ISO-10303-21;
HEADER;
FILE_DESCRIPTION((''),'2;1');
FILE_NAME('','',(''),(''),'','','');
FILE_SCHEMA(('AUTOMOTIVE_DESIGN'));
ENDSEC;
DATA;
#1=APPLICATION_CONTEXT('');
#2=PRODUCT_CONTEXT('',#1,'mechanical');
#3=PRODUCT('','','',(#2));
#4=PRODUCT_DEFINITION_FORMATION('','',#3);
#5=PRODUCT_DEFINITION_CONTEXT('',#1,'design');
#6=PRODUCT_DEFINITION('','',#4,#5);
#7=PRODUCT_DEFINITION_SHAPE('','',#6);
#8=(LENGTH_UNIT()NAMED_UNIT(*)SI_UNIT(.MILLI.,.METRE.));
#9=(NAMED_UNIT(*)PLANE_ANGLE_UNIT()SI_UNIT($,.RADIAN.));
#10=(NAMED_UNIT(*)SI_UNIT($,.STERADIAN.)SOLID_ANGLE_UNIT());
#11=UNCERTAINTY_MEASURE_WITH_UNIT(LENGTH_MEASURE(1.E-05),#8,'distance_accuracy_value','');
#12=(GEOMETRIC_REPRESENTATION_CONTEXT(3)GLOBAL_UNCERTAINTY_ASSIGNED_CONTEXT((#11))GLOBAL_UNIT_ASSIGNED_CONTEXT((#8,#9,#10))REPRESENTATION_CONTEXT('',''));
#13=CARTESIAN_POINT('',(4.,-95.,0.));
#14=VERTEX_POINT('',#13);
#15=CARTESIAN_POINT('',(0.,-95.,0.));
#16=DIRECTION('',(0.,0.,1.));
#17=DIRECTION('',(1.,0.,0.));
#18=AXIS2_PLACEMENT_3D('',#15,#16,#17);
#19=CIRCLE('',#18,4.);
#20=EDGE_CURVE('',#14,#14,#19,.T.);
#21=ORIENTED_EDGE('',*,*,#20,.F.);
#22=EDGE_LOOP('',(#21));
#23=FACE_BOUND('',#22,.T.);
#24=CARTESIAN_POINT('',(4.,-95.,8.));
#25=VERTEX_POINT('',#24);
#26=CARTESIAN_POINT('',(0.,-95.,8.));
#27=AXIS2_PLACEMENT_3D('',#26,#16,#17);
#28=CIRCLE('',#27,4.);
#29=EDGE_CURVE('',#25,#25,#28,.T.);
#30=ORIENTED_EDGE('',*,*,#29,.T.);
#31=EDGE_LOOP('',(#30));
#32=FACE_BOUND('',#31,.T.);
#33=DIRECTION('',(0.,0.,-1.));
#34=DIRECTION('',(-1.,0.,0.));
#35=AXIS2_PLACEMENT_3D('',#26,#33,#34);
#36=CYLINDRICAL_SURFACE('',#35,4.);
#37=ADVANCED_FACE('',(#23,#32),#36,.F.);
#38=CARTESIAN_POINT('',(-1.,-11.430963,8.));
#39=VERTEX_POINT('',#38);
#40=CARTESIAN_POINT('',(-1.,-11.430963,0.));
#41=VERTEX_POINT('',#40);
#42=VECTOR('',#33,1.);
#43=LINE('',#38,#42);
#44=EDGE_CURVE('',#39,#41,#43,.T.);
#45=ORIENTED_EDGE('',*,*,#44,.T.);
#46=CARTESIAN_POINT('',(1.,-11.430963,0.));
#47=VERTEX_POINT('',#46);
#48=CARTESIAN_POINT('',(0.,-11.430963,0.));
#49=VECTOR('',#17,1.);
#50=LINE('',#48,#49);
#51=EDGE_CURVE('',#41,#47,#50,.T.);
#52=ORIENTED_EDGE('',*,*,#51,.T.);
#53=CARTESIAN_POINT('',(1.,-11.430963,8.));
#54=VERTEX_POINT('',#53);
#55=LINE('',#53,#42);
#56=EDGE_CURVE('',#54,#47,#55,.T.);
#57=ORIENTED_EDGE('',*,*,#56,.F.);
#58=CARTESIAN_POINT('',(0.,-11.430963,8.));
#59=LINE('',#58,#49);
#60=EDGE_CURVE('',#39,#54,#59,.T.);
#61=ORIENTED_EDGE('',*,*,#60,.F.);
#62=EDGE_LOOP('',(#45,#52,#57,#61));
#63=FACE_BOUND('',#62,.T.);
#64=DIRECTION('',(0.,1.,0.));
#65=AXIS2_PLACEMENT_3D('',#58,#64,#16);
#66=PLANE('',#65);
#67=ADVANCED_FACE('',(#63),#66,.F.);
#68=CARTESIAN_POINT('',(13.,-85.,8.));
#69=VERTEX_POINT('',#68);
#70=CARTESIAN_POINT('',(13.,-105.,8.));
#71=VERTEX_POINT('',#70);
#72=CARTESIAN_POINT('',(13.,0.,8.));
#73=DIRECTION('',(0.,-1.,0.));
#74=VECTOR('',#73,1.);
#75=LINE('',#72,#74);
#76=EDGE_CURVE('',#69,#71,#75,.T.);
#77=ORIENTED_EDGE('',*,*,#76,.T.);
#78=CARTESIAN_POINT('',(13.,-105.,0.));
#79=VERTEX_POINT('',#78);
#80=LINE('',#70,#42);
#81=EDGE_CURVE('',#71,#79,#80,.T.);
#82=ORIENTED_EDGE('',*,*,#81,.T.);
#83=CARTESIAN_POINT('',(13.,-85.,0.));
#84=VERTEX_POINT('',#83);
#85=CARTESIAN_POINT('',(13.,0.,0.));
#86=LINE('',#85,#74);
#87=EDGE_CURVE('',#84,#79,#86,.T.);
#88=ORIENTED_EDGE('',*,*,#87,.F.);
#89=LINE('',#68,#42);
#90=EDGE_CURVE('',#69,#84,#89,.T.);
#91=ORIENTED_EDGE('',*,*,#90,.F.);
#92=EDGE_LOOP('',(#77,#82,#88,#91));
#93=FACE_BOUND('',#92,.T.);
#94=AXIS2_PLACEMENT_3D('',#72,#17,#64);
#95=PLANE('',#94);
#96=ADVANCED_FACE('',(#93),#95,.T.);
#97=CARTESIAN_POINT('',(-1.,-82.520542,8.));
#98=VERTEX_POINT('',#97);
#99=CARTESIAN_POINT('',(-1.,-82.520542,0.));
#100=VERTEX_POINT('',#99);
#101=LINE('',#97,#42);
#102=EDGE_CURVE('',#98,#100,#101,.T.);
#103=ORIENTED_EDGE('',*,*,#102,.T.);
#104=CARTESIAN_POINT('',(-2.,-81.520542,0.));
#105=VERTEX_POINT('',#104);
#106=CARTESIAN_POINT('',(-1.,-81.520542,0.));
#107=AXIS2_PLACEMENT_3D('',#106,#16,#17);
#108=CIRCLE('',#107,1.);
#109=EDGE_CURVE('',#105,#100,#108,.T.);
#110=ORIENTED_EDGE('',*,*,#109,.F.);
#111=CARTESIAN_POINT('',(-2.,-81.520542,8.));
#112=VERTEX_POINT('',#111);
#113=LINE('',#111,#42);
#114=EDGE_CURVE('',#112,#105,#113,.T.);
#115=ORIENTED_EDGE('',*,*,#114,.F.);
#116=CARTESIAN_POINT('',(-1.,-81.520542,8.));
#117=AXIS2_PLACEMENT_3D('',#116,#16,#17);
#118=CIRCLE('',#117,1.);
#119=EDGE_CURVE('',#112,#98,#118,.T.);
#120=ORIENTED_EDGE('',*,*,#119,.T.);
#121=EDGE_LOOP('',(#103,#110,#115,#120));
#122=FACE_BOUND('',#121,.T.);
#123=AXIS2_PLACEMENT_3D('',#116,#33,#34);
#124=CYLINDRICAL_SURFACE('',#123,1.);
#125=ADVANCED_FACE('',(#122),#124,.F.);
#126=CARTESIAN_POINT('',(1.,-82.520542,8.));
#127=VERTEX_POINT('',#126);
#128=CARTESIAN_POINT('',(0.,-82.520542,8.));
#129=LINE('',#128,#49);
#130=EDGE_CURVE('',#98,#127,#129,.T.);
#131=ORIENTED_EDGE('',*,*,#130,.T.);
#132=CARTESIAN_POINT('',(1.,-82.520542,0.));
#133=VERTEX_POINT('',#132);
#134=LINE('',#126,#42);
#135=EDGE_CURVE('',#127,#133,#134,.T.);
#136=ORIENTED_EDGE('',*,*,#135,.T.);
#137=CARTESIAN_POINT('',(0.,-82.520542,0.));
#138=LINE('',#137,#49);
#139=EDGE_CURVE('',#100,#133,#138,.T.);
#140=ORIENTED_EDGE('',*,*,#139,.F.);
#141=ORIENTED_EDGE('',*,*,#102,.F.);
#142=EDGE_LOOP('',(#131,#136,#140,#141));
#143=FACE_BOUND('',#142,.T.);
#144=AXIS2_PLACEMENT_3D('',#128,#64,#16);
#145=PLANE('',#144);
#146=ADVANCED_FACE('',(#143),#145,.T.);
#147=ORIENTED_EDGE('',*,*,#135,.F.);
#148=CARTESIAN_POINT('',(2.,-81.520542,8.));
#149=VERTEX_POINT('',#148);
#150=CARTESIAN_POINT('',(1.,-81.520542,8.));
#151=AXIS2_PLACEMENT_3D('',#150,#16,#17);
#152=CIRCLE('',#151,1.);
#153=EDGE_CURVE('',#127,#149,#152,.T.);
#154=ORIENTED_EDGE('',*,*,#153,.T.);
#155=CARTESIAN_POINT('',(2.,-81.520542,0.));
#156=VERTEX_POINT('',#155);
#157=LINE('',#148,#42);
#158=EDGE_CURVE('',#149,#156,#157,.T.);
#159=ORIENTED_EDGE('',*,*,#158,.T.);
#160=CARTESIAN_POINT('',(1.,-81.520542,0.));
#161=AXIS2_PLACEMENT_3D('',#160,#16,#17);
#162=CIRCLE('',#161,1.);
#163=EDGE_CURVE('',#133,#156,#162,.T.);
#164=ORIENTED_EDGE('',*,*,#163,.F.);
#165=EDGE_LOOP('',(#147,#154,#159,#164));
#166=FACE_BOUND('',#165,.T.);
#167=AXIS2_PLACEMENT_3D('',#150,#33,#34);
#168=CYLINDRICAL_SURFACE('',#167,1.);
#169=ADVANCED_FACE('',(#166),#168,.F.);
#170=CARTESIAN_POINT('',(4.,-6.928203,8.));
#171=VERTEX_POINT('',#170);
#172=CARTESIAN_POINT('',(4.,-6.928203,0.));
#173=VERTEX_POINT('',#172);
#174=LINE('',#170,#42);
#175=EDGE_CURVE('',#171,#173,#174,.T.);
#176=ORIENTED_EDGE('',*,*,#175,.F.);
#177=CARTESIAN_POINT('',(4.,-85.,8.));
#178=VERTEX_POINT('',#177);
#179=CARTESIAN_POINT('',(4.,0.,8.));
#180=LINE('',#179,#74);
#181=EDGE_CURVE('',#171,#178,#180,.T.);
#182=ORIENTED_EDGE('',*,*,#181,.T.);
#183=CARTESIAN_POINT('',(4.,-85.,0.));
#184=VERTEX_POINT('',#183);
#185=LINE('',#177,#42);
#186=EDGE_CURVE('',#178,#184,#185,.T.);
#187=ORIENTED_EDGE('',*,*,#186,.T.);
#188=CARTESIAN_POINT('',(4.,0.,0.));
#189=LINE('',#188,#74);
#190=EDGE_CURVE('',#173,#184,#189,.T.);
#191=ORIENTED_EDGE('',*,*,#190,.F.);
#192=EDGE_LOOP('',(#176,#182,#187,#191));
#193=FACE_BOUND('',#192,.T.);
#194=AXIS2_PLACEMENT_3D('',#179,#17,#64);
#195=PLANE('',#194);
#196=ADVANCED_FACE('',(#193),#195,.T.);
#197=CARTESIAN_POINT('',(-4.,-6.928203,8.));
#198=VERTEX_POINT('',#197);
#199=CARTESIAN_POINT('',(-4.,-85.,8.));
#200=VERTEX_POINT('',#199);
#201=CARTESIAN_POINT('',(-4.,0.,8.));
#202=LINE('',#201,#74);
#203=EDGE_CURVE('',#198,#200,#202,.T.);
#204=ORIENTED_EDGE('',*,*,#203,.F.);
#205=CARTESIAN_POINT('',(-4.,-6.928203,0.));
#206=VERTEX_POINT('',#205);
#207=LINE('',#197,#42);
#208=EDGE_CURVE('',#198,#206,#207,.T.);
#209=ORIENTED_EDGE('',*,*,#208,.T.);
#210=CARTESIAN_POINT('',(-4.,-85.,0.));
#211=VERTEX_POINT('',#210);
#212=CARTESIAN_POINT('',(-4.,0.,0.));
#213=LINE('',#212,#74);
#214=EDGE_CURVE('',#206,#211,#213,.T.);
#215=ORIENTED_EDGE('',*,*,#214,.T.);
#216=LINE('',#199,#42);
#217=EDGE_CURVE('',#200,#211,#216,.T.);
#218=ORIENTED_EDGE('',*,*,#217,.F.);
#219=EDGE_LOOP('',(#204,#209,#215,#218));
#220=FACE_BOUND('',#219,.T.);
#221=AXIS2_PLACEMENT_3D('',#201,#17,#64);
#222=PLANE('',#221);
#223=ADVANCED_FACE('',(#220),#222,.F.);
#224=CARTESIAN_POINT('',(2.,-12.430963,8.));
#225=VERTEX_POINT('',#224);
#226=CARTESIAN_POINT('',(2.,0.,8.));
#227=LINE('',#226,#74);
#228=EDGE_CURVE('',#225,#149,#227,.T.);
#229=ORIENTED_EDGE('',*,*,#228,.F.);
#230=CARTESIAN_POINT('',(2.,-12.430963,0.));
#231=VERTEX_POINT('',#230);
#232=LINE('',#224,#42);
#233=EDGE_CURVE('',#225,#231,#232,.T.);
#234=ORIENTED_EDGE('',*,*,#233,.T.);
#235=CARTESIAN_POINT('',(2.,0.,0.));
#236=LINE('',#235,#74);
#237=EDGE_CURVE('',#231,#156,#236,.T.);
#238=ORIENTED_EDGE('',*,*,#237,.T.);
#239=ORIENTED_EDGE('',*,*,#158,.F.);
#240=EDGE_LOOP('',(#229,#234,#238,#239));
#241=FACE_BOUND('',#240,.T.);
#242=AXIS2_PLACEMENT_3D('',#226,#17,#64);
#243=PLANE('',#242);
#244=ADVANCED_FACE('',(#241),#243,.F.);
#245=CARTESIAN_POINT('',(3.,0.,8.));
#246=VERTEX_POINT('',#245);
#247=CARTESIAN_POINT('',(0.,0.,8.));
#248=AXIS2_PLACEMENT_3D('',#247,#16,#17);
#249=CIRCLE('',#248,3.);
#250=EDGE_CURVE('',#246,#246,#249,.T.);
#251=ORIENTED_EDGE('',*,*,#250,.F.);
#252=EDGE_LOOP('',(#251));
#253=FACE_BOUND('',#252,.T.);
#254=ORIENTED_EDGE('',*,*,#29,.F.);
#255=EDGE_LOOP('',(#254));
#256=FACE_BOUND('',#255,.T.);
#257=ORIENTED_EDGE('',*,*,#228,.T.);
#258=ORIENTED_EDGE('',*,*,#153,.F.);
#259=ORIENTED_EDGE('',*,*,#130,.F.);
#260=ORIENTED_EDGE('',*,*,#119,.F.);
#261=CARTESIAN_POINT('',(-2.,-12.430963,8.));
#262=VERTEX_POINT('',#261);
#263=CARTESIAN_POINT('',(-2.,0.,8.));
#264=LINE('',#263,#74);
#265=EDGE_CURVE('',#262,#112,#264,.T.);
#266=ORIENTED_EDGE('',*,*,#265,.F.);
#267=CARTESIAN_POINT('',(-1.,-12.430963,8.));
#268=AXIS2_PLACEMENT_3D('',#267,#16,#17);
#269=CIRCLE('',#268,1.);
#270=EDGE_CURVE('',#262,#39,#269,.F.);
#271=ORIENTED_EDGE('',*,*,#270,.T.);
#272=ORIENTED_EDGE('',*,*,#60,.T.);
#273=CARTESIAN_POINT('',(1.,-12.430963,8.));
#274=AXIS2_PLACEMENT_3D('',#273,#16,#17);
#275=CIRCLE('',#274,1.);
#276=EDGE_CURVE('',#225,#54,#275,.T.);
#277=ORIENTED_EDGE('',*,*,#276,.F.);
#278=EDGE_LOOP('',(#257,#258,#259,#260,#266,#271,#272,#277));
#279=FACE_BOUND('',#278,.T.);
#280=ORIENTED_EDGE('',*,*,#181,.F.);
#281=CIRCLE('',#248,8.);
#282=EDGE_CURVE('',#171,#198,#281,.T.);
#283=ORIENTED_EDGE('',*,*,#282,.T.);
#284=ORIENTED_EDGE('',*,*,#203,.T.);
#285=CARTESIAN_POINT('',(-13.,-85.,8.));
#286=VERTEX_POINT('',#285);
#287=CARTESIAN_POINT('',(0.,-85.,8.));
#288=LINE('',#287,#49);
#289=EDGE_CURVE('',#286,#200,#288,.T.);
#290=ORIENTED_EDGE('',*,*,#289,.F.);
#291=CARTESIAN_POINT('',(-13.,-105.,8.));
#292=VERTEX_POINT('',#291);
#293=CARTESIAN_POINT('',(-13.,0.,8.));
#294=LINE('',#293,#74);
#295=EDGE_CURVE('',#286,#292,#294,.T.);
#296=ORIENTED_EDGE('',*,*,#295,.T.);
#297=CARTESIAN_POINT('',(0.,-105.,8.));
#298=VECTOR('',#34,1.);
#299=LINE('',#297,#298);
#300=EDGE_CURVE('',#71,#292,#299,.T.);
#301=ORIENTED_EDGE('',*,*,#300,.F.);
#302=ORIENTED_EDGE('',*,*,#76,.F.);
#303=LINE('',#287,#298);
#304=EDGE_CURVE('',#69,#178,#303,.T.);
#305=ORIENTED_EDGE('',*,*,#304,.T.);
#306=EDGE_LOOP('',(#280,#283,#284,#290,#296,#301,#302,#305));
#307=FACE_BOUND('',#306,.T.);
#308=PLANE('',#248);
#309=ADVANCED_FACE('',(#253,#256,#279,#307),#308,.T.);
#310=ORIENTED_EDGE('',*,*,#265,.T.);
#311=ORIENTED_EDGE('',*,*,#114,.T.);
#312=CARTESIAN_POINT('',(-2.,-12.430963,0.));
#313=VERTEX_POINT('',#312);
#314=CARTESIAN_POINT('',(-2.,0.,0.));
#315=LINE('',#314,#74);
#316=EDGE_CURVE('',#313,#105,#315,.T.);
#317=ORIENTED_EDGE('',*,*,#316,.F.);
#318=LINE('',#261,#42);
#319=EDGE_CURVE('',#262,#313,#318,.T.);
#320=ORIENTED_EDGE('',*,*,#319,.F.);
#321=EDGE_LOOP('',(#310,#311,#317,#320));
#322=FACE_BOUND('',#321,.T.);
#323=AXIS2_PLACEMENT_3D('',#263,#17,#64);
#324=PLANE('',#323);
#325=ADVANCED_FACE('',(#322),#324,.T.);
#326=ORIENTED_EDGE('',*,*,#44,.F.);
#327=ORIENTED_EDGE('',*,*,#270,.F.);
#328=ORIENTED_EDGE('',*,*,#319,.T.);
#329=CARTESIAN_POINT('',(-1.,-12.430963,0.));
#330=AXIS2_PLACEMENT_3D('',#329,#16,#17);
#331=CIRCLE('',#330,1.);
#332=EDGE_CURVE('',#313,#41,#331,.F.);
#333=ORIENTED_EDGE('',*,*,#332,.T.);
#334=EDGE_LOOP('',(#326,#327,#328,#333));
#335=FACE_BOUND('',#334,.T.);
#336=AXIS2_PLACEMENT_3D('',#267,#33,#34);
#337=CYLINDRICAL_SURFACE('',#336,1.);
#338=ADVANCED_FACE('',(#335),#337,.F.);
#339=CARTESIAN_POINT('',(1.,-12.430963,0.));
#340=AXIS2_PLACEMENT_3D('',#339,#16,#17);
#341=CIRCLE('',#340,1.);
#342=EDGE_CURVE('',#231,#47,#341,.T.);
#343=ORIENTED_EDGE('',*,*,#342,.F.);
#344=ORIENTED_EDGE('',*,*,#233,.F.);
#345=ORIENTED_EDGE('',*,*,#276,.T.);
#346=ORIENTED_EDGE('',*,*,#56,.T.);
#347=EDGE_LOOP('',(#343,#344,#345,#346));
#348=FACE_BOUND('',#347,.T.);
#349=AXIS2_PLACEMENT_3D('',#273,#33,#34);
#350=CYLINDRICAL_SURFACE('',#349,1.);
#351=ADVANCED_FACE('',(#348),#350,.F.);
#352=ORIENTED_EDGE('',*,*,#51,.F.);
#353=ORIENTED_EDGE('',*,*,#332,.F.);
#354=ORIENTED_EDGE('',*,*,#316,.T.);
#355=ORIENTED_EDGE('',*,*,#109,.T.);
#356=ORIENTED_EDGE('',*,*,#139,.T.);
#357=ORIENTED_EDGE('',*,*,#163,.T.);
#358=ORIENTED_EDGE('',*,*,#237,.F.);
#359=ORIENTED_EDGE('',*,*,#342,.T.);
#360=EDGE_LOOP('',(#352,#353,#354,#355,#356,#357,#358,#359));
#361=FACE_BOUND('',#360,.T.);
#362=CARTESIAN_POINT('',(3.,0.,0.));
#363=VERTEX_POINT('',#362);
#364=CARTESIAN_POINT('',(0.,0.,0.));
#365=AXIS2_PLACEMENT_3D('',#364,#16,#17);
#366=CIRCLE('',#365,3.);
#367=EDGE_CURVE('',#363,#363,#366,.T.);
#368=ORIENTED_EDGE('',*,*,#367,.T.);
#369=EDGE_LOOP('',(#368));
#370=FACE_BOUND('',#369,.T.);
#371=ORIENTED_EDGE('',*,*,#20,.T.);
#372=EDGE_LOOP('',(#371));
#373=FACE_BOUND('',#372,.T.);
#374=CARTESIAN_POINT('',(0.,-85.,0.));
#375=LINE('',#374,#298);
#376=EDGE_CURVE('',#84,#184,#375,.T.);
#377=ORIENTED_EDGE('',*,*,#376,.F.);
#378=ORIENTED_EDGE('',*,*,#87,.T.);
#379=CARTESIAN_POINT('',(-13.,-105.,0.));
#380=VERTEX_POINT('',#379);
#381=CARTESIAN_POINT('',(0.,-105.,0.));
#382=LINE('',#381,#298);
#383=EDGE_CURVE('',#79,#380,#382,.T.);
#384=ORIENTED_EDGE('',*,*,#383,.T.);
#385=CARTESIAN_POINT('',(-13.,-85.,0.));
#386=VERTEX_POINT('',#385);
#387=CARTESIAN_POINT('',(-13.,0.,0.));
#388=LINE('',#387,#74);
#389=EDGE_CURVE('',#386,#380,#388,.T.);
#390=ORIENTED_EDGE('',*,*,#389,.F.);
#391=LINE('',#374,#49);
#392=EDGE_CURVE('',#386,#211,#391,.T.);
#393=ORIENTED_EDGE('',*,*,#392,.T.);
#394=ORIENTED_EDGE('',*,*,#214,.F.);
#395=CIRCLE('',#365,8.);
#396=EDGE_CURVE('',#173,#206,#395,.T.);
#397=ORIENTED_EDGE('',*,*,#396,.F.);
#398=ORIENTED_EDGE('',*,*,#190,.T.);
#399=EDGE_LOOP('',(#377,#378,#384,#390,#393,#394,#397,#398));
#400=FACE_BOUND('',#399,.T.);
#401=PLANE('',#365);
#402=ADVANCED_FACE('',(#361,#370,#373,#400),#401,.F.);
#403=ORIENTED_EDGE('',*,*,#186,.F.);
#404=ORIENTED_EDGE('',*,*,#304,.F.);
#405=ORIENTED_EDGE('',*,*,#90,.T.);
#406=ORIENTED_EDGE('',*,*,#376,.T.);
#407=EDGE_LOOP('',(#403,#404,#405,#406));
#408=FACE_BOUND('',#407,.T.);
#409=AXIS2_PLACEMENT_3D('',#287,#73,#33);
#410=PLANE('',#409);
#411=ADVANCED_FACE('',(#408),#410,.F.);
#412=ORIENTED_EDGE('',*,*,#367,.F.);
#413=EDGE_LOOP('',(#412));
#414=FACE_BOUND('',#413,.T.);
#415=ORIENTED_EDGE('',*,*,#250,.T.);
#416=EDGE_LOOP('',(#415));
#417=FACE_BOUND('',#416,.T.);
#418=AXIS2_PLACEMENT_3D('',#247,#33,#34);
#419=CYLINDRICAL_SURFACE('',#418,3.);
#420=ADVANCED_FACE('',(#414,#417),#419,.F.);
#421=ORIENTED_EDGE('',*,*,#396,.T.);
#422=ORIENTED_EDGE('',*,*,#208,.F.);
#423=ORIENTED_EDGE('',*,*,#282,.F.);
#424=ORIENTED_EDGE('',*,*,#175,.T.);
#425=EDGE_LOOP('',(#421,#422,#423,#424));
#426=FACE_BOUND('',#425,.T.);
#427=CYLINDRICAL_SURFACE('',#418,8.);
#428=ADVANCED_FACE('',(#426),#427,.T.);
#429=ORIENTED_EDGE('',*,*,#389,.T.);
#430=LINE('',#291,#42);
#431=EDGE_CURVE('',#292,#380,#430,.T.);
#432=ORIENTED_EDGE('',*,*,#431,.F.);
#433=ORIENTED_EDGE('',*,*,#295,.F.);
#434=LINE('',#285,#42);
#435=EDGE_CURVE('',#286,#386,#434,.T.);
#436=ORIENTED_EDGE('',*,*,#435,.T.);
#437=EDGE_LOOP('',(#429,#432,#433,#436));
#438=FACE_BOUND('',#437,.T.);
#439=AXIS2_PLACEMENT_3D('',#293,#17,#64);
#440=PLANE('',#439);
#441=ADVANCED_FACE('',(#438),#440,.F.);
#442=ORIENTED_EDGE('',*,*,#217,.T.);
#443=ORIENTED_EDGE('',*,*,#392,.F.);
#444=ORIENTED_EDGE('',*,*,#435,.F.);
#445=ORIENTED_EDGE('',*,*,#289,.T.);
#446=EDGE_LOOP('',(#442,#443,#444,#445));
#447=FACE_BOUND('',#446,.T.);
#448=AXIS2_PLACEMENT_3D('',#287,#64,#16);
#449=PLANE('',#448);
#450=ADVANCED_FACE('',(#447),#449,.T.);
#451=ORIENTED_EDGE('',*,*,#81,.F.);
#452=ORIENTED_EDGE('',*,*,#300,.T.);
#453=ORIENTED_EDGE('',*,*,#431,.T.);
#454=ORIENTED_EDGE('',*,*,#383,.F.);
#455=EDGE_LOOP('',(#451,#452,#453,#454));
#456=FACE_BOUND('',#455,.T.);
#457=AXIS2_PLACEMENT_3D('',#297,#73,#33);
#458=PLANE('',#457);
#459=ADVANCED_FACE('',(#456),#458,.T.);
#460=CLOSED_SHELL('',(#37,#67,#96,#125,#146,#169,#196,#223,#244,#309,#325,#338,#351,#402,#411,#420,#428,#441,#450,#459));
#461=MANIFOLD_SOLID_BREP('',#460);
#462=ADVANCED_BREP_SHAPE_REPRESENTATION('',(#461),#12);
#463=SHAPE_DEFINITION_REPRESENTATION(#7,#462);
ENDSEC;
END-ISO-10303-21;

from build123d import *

# Parameters (mm, degrees)
SKETCH1_R           = 6
SKETCH1_R_2         = 5
SKETCH1_R_3         = 3
SKETCH1_R_4         = 4
BOSS_EXTRUDE1_DEPTH = 8


with BuildPart() as part:
    # Sketch1 → Boss-Extrude1 (new body)
    # profile 1 of 3: a face of its own
    with BuildSketch(Plane.XY):
        with BuildLine():
            Line((4, -6.92820323), (4, -85))
            Line((4, -85), (13, -85))
            Line((13, -85), (13, -105))
            Line((13, -105), (-13, -105))
            Line((-13, -105), (-13, -85))
            Line((-13, -85), (-4, -85))
            Line((-4, -85), (-4, -6.92820323))
            ThreePointArc((-4, -6.92820323), (0, 8), (4, -6.92820323))
        make_face()
        with Locations((0, -95)):
            Circle(SKETCH1_R, mode=Mode.SUBTRACT)
        Circle(SKETCH1_R_2, mode=Mode.SUBTRACT)
        with BuildLine():
            Line((-2, -12.430963228), (-2, -81.520541763))
            ThreePointArc((-2, -81.520541763), (-1.707106781, -82.227648544), (-1, -82.520541763))
            Line((-1, -82.520541763), (1, -82.520541763))
            ThreePointArc((1, -82.520541763), (1.707106781, -82.227648544), (2, -81.520541763))
            Line((2, -81.520541763), (2, -12.430963228))
            ThreePointArc((2, -12.430963228), (1.707106781, -11.723856446), (1, -11.430963228))
            Line((1, -11.430963228), (-1, -11.430963228))
            ThreePointArc((-1, -11.430963228), (-1.707106781, -11.723856446), (-2, -12.430963228))
        make_face(mode=Mode.SUBTRACT)
    # profile 2 of 3: a face of its own
    with BuildSketch(Plane.XY):
        Circle(SKETCH1_R_2)
        Circle(SKETCH1_R_3, mode=Mode.SUBTRACT)
    # profile 3 of 3: a face of its own
    with BuildSketch(Plane.XY):
        with Locations((0, -95)):
            Circle(SKETCH1_R)
        with Locations((0, -95)):
            Circle(SKETCH1_R_4, mode=Mode.SUBTRACT)
    extrude(amount=BOSS_EXTRUDE1_DEPTH)


solid = part.part
